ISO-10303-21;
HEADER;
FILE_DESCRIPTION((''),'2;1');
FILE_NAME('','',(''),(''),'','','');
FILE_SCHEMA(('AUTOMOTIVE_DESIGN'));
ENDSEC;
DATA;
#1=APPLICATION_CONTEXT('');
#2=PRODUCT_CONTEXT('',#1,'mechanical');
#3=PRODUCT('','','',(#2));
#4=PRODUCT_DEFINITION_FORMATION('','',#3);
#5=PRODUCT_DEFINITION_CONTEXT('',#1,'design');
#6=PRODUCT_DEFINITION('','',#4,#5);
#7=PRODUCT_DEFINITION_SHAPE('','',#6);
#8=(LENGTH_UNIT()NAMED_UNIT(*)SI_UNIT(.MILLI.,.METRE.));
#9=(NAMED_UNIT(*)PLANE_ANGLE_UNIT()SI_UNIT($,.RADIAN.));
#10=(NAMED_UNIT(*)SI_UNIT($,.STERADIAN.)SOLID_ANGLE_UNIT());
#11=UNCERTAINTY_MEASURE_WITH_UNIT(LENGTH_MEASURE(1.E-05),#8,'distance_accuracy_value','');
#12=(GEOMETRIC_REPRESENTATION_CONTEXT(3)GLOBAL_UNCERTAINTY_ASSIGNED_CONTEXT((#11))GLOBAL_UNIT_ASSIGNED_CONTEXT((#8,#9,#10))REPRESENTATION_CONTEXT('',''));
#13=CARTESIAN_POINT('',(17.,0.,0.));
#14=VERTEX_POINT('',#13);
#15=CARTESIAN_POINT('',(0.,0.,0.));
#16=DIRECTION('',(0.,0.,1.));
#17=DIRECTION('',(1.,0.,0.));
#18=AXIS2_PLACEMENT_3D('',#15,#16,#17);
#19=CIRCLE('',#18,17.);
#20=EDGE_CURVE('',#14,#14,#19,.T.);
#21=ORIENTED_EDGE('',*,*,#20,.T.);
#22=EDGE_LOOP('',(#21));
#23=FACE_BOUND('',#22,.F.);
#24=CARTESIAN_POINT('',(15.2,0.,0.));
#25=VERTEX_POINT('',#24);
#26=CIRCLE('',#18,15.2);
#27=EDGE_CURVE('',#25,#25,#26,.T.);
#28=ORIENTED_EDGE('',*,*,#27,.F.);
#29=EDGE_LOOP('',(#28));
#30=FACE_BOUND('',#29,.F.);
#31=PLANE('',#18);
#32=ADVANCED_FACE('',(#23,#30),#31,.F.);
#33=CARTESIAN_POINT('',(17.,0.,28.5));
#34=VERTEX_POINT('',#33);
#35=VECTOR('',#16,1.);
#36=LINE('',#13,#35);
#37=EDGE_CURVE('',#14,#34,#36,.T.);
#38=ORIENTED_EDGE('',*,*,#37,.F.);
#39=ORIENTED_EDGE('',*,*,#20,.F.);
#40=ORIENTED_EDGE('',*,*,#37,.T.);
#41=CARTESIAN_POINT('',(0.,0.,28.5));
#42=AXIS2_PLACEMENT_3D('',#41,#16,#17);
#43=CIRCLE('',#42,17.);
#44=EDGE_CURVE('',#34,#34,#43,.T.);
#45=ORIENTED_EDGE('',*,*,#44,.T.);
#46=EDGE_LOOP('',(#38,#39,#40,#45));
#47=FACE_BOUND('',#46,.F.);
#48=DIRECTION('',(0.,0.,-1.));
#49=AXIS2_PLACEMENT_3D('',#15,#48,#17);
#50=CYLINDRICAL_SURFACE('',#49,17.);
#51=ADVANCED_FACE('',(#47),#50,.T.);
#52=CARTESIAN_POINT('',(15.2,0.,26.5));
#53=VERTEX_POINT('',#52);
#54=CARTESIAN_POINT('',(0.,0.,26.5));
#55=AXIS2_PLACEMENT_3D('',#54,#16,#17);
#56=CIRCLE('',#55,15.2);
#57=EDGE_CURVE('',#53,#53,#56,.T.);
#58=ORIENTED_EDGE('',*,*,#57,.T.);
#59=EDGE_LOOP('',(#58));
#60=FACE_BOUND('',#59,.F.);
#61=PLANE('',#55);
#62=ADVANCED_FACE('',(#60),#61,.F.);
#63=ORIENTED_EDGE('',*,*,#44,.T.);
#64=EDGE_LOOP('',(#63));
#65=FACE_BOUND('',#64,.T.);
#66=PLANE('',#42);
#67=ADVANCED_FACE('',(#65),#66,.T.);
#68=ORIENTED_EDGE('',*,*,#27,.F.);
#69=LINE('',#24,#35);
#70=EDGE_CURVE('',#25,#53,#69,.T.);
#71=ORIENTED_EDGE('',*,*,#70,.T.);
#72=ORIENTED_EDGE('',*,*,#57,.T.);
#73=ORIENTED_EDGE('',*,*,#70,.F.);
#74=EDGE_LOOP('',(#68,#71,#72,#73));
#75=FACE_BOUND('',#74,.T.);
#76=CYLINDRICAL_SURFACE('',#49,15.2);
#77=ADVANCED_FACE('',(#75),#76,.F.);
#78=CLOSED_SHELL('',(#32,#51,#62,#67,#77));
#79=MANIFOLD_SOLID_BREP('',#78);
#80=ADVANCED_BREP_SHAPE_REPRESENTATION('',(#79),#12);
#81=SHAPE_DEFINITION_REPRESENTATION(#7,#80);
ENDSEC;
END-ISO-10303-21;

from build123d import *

# Parameters (mm, degrees)
CYLINDER001_R                    = 15.2
CYLINDER001_DEPTH                = 26.5
CYLINDER014005814004018005_R     = 17
CYLINDER014005814004018005_DEPTH = 28.5


with BuildPart() as v_lec001:
    # Cylinder001 → Cylinder001 (new body)
    with BuildSketch(Plane.XY):
        Circle(CYLINDER001_R)
    extrude(amount=CYLINDER001_DEPTH)


with BuildPart() as cap1:
    # Cylinder014005814004018005 → Cylinder014005814004018005 (new body)
    with BuildSketch(Plane.XY):
        Circle(CYLINDER014005814004018005_R)
    extrude(amount=CYLINDER014005814004018005_DEPTH)

    # Cut061098126005: cut Válec001
    add(v_lec001.part, mode=Mode.SUBTRACT)


solid = cap1.part
